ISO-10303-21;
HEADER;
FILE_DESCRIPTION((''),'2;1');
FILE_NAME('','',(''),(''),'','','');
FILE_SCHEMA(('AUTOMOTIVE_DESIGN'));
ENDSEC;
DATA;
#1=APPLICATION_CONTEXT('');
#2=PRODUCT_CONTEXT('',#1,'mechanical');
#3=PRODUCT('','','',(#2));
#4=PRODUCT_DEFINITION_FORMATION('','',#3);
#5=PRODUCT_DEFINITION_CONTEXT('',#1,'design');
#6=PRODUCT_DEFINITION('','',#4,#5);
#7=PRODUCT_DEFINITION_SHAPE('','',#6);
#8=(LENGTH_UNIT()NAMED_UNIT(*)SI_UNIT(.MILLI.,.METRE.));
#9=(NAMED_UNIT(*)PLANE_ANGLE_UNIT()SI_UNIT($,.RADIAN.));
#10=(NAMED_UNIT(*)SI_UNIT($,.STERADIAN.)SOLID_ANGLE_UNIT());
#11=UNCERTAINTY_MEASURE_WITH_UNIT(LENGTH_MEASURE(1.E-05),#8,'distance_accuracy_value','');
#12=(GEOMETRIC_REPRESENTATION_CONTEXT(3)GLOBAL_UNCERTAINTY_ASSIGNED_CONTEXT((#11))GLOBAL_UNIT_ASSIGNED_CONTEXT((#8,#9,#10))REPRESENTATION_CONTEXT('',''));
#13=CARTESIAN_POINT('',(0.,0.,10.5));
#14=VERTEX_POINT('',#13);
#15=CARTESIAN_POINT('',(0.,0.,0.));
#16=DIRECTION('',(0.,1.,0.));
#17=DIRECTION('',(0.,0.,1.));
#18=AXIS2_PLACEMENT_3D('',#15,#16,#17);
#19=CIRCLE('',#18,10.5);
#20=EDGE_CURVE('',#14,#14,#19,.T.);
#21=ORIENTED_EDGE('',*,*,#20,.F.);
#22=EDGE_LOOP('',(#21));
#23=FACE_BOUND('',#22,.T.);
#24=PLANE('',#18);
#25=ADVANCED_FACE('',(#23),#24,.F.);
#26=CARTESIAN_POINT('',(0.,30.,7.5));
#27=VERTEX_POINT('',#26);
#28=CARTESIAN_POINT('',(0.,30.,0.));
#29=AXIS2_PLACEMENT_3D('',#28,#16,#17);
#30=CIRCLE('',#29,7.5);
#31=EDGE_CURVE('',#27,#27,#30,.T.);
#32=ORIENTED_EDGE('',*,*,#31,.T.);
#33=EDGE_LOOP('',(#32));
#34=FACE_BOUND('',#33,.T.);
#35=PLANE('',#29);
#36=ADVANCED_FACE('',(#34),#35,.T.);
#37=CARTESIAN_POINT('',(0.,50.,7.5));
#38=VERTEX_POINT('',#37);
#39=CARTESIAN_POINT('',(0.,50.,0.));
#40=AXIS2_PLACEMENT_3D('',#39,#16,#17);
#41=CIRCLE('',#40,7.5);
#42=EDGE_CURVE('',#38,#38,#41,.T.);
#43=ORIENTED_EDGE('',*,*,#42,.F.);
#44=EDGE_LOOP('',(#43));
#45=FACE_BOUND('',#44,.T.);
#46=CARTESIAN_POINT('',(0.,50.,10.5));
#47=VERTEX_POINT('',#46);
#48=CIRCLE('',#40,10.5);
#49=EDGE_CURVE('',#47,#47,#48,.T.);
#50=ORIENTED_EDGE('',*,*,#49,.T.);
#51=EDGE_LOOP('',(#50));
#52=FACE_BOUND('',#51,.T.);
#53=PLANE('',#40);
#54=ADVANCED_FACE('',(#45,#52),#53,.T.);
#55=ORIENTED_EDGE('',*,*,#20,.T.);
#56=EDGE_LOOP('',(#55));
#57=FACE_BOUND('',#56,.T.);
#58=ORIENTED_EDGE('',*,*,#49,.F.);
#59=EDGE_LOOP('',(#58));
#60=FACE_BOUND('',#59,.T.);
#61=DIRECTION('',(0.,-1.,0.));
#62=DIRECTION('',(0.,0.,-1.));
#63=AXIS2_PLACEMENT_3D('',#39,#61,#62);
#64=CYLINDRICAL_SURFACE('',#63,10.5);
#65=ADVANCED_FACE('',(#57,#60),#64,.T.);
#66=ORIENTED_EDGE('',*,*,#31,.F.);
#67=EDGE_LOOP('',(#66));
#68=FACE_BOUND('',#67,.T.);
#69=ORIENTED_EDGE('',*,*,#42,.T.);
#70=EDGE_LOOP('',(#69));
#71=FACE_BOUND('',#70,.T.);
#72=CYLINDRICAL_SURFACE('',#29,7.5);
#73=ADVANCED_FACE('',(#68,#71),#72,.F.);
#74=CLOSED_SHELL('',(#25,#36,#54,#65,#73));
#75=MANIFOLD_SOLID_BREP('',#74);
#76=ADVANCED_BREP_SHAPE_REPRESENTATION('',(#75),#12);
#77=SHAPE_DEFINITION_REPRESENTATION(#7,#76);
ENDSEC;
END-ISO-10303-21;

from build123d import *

# Parameters (mm, degrees)
SKETCH_1_R          = 10.5
EXTRUDE_1_DEPTH     = 50
SKETCH_2_R          = 7.5
CUT_EXTRUDE_2_DEPTH = 20


with BuildPart() as part:
    # Эскиз1 → Вытянуть1 (new body)
    with BuildSketch(Plane(origin=(0, 0, 0), x_dir=(1, 0, 0), z_dir=(0, 1, 0))):
        with Locations(Location((0, 0, 0), (0, 0, 270))):
            Circle(SKETCH_1_R)
    extrude(amount=EXTRUDE_1_DEPTH)

    # Эскиз2 → Вытянуть2 (cut)
    with BuildSketch(Plane(origin=(0, 50, 0), x_dir=(1, 0, 0), z_dir=(0, 1, 0))):
        with Locations(Location((0, 0, 0), (0, 0, 270))):
            Circle(SKETCH_2_R)
    extrude(amount=-CUT_EXTRUDE_2_DEPTH, mode=Mode.SUBTRACT)


solid = part.part
